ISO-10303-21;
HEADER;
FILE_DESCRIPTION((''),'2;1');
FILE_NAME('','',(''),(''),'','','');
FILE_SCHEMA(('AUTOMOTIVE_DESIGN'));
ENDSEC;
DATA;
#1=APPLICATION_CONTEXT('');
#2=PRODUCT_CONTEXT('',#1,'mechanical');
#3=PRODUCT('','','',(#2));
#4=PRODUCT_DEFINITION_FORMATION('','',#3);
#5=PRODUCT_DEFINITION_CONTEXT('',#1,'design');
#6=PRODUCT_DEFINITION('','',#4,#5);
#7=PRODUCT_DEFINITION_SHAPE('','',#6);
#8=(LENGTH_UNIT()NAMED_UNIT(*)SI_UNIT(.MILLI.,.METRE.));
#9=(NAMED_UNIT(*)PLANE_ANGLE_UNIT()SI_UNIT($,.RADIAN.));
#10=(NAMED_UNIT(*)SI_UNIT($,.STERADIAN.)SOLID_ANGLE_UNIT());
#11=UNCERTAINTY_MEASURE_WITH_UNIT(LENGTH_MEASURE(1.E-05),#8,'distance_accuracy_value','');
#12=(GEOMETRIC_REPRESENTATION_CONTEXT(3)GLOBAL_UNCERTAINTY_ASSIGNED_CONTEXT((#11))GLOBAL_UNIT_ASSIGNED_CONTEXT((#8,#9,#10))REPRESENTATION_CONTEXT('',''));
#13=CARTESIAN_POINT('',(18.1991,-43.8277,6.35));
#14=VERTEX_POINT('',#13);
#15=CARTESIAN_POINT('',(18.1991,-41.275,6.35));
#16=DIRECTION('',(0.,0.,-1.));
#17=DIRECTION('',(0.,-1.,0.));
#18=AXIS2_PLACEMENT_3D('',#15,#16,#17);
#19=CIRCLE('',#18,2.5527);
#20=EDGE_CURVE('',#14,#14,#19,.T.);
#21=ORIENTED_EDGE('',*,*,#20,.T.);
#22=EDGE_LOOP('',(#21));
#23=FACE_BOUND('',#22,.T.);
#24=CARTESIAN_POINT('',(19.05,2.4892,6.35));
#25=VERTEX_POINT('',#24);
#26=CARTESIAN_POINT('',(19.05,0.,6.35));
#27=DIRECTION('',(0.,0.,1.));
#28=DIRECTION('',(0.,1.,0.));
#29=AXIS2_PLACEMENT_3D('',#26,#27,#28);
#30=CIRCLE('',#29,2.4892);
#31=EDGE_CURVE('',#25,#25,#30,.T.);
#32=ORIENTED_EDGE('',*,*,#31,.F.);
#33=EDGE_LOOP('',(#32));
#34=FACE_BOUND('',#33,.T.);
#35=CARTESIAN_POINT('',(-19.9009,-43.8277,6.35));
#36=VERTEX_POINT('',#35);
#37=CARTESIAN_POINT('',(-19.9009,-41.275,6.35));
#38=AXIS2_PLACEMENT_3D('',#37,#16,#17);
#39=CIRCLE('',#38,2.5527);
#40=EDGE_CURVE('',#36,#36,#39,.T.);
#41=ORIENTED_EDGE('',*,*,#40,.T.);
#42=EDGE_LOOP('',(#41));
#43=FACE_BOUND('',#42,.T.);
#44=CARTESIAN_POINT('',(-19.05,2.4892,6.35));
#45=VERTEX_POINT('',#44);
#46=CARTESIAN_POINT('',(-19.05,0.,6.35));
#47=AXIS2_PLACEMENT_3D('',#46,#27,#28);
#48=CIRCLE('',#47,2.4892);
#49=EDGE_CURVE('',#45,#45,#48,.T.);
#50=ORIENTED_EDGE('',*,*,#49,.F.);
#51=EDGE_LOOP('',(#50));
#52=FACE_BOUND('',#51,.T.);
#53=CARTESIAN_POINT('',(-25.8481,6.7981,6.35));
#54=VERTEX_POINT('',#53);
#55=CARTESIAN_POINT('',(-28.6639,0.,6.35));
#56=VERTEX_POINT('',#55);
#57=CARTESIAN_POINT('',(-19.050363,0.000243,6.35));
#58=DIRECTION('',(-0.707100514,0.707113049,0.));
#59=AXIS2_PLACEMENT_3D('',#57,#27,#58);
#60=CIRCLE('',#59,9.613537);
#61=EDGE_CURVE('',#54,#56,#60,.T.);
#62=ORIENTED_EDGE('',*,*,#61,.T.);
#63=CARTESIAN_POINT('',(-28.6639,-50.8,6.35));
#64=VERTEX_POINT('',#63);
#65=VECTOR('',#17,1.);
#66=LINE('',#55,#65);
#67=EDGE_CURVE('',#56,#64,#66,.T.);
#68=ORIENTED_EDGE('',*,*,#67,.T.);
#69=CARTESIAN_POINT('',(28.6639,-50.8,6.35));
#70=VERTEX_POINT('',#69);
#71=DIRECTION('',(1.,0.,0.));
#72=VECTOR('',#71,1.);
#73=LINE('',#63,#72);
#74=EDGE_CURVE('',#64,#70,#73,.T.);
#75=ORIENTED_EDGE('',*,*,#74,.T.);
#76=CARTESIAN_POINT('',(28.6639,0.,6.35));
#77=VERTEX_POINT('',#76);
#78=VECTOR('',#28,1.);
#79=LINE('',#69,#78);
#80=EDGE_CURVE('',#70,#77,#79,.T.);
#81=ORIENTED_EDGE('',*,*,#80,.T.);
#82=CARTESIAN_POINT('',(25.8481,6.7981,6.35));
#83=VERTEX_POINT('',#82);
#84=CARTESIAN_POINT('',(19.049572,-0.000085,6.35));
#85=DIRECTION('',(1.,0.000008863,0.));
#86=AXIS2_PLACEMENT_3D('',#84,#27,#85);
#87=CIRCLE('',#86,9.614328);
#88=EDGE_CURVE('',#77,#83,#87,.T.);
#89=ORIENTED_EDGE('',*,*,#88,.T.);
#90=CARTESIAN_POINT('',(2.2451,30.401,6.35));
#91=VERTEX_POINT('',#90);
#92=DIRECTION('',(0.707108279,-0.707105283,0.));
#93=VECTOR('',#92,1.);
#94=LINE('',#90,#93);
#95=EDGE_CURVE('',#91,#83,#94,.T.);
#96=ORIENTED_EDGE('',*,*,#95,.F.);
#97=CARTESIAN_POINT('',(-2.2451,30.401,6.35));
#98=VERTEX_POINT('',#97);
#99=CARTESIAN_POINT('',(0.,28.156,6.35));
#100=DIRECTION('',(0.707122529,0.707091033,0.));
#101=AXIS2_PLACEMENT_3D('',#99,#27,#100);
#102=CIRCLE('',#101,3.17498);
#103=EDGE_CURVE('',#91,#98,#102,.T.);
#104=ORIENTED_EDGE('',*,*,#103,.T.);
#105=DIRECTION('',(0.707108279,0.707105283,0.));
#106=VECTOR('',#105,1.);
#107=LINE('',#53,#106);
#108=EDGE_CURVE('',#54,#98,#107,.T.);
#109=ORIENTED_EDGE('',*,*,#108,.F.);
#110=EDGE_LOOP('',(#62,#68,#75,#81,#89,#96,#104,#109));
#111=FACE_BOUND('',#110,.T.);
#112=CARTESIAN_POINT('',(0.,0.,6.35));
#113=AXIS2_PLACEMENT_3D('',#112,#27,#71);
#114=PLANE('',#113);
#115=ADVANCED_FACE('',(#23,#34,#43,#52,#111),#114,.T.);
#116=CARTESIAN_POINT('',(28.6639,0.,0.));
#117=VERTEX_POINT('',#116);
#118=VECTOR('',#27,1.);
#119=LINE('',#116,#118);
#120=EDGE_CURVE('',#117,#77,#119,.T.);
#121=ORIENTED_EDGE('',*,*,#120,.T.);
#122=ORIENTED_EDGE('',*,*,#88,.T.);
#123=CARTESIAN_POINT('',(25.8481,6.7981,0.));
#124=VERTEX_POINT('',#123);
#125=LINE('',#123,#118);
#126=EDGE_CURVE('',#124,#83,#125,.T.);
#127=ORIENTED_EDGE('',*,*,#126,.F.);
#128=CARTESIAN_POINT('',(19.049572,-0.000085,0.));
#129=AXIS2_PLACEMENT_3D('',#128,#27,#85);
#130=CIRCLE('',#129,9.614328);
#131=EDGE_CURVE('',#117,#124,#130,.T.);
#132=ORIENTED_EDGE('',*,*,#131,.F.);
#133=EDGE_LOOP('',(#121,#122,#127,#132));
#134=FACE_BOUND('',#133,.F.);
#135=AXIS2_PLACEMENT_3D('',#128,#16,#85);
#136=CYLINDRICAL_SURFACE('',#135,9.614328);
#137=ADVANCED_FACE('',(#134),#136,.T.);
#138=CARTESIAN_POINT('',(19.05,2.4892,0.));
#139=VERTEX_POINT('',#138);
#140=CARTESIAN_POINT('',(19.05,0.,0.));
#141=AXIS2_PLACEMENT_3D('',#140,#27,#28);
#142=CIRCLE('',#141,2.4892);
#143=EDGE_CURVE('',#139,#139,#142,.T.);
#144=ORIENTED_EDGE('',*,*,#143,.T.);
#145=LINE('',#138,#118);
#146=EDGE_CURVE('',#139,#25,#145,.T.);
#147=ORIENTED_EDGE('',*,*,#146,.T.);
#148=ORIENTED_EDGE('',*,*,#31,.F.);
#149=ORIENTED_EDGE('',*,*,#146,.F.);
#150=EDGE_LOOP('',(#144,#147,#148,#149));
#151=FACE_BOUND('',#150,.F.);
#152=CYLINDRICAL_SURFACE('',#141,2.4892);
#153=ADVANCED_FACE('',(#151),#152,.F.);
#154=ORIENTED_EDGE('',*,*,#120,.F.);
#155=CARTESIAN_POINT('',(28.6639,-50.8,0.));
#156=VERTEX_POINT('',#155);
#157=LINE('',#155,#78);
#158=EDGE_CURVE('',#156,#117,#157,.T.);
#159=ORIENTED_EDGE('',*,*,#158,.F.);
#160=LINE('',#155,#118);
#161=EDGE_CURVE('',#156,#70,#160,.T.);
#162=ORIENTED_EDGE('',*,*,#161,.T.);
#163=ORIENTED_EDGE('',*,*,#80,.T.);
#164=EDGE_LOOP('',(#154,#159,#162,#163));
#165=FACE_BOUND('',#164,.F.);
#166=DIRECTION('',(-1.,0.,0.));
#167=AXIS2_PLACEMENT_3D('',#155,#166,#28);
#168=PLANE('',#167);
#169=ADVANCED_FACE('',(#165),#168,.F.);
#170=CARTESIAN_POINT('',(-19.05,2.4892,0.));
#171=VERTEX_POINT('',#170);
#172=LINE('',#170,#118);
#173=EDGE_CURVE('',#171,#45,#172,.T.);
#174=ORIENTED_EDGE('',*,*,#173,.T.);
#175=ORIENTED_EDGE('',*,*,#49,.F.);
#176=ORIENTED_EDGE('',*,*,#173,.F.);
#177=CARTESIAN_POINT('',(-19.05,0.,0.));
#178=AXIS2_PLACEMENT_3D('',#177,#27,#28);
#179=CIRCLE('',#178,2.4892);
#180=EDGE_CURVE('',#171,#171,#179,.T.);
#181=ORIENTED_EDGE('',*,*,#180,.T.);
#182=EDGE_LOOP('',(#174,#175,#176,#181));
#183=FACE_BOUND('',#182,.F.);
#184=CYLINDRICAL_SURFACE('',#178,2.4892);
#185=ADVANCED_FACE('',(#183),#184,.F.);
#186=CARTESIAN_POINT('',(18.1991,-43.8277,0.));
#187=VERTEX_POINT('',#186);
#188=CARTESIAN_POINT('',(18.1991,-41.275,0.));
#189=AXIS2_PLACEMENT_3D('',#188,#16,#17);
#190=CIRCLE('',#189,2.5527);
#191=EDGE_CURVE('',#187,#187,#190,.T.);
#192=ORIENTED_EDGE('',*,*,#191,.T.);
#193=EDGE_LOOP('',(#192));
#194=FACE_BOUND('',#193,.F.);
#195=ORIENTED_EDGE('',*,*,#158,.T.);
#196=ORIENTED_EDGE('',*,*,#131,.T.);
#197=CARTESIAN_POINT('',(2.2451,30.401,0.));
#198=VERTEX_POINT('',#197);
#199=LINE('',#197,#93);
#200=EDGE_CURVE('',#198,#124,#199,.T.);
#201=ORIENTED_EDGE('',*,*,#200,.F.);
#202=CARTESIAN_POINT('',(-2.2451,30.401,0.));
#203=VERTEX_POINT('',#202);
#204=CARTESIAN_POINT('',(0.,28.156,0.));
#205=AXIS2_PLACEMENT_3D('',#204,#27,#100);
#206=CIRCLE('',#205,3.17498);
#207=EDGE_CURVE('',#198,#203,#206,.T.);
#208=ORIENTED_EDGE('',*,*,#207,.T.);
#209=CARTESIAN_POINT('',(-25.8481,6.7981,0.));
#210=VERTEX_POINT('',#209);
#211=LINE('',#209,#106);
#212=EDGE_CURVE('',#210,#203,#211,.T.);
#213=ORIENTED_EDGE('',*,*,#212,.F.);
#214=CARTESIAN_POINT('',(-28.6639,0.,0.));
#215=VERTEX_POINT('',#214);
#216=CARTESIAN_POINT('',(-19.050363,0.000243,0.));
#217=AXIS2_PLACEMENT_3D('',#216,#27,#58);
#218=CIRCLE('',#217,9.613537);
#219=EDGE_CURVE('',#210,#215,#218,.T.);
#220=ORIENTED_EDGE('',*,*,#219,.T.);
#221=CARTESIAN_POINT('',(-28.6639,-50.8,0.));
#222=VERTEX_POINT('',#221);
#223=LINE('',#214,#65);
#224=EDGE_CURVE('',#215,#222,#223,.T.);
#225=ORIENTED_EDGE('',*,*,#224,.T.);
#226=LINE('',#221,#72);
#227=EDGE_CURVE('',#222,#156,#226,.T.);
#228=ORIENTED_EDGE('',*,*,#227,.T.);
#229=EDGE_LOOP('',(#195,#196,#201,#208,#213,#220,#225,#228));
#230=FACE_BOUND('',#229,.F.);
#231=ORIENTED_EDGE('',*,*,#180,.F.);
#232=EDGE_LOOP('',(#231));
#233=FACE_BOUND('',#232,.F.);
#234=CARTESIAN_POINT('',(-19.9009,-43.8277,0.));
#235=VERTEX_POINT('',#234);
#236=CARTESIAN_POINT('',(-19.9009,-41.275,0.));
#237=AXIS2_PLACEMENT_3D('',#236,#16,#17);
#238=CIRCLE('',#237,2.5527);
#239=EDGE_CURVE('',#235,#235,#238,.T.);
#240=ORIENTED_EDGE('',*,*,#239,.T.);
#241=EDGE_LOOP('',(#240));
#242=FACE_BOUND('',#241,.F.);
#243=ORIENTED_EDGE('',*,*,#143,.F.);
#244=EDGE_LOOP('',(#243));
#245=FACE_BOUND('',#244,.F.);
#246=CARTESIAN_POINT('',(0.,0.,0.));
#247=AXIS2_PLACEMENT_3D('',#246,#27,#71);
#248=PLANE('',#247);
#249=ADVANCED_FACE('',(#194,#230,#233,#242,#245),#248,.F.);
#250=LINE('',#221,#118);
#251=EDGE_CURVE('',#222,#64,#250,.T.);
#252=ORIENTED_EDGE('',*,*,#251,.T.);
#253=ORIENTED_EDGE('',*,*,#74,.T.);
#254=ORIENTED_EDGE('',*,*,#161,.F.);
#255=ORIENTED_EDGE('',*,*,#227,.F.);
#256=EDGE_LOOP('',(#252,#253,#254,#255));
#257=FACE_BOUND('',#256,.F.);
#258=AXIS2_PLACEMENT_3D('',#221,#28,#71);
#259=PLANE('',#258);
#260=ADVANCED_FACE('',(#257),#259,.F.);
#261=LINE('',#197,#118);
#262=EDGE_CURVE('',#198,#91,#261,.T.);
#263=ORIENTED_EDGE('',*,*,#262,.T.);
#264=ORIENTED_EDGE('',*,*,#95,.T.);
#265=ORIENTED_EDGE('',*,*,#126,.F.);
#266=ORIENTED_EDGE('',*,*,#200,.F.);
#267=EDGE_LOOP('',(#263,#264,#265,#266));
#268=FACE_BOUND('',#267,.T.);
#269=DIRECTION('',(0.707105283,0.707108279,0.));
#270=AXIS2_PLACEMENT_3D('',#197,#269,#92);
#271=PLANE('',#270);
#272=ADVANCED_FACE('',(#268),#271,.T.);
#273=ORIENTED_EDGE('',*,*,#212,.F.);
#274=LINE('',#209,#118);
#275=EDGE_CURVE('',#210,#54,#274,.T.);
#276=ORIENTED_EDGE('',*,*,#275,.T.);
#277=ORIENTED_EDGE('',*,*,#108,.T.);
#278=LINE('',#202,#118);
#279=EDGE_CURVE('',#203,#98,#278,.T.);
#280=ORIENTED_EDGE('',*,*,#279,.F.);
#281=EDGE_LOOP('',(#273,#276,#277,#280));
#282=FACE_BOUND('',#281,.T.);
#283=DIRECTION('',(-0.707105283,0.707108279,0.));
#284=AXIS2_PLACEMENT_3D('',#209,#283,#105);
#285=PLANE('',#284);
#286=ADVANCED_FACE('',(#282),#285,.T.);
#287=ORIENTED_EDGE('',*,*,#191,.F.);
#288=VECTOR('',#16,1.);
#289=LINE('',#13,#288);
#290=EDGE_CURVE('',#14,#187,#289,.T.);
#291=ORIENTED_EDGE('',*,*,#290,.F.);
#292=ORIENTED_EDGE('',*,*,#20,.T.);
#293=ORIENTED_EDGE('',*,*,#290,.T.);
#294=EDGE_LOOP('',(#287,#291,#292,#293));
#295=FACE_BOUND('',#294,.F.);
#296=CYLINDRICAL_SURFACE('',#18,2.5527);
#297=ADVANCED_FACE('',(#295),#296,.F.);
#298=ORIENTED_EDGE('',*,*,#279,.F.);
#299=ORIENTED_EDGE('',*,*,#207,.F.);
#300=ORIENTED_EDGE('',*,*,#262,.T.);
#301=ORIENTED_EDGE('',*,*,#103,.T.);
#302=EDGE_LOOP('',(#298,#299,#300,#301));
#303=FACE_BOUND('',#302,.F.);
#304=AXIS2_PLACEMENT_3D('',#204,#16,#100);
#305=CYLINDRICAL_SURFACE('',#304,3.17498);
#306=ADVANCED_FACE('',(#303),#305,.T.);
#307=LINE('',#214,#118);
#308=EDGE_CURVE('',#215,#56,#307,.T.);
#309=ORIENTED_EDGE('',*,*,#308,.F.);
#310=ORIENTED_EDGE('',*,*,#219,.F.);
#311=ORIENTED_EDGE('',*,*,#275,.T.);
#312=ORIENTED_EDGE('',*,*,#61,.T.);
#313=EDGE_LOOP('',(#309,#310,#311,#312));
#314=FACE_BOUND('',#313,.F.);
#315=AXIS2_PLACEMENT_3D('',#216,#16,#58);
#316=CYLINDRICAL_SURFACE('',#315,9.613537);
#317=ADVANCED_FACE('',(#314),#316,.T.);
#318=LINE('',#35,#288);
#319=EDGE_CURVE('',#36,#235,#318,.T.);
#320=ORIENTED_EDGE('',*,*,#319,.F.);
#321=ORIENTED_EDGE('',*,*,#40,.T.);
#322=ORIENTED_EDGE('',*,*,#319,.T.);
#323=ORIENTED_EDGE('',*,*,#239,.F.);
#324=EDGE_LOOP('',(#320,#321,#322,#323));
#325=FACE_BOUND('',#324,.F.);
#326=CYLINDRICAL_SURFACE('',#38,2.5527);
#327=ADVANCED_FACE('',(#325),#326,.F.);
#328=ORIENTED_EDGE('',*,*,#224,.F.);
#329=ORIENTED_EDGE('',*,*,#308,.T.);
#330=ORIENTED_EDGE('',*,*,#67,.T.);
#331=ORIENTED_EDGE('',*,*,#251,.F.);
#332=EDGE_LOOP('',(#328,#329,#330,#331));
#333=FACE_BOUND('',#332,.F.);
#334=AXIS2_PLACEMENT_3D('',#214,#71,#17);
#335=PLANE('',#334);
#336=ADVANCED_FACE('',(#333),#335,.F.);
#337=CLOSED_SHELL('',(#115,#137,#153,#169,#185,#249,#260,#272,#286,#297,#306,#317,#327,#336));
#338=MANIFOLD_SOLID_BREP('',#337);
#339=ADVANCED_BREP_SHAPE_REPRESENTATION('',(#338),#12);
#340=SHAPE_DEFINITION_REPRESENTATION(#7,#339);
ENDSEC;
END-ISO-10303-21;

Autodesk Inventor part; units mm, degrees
ref_plane "YZ Plane" through (0, 0, 0) normal (1, 0, 0) x (0, 1, 0)
ref_plane "XZ Plane" through (0, 0, 0) normal (0, 1, 0) x (-1, 0, 0)
ref_plane "XY Plane" through (0, 0, 0) normal (0, 0, 1) x (1, 0, 0)
sketch "Sketch1" plane through (0, 0, 0) normal (0, 0, 1) x (1, 0, 0)
  line L0 (-19.05, 0) -> (19.05, 0) construction
  circle A0 centre (-19.05, 0) radius 3.2639
  circle A1 centre (19.05, 0) radius 3.2639
  arc A2 (-25.8481, 6.7981) -> (-28.6639, 0) centre (-19.05, 0) ccw
  arc A3 (28.6639, 0) -> (25.8481, 6.7981) centre (19.05, 0) ccw
  line L1 (-28.6639, 0) -> (-28.6639, -50.8)
  line L2 (-28.6639, -50.8) -> (28.6639, -50.8)
  line L3 (28.6639, -50.8) -> (28.6639, 0)
  line L4 (-25.8481, 6.7981) -> (-2.2451, 30.401)
  line L5 (2.2451, 30.401) -> (25.8481, 6.7981)
  arc A4 (2.2451, 30.401) -> (-2.2451, 30.401) centre (0, 28.156) ccw
  point P0 (0, 0)
  point P1 (0, 0)
  dimension "d0" = 6.5278
  dimension "d1" = 38.1
  dimension "d2" = 6.35
  dimension "d3" = 6.35
  dimension "d4" = 50.8
  dimension "d5" = 3.175
extrude "Extrusion1" add sketch "Sketch1" along normal blind 6.35 contours A0 | A1 | L4 A4 L5 A3 L3 L2 L1 A2
sketch "Sketch2" plane through (0, 0, 6.35) normal (0, 0, 1) x (1, 0, 0)
  line L0 (-19.9009, -41.275) -> (18.1991, -41.275) construction
  line L1 (-28.6639, -50.8) -> (28.6639, -50.8) projected
  point P0 (0, 0)
  dimension "d8" = 38.1
  dimension "d9" = 9.525
hole "Hole1" at (-19.9009, -41.275, 6.35) at (18.1991, -41.275, 6.35) direction (0, 0, -1) diameter 5.1054 end through all clearance for "Flat Head Machine Screw (82)" size "#10" standard "Ansi Unified Screw Threads"
hole "Hole2" at (-19.05, 0, 0) at (19.05, 0, 0) direction (0, 0, 1) diameter 4.9784 end through all thread size "1/4-20 UNC" class "2B" standard "ANSI Unified Screw Threads"
equation "\"d3\" = d2"
properties part number "CL7-005a" material "Aluminum 6061"
